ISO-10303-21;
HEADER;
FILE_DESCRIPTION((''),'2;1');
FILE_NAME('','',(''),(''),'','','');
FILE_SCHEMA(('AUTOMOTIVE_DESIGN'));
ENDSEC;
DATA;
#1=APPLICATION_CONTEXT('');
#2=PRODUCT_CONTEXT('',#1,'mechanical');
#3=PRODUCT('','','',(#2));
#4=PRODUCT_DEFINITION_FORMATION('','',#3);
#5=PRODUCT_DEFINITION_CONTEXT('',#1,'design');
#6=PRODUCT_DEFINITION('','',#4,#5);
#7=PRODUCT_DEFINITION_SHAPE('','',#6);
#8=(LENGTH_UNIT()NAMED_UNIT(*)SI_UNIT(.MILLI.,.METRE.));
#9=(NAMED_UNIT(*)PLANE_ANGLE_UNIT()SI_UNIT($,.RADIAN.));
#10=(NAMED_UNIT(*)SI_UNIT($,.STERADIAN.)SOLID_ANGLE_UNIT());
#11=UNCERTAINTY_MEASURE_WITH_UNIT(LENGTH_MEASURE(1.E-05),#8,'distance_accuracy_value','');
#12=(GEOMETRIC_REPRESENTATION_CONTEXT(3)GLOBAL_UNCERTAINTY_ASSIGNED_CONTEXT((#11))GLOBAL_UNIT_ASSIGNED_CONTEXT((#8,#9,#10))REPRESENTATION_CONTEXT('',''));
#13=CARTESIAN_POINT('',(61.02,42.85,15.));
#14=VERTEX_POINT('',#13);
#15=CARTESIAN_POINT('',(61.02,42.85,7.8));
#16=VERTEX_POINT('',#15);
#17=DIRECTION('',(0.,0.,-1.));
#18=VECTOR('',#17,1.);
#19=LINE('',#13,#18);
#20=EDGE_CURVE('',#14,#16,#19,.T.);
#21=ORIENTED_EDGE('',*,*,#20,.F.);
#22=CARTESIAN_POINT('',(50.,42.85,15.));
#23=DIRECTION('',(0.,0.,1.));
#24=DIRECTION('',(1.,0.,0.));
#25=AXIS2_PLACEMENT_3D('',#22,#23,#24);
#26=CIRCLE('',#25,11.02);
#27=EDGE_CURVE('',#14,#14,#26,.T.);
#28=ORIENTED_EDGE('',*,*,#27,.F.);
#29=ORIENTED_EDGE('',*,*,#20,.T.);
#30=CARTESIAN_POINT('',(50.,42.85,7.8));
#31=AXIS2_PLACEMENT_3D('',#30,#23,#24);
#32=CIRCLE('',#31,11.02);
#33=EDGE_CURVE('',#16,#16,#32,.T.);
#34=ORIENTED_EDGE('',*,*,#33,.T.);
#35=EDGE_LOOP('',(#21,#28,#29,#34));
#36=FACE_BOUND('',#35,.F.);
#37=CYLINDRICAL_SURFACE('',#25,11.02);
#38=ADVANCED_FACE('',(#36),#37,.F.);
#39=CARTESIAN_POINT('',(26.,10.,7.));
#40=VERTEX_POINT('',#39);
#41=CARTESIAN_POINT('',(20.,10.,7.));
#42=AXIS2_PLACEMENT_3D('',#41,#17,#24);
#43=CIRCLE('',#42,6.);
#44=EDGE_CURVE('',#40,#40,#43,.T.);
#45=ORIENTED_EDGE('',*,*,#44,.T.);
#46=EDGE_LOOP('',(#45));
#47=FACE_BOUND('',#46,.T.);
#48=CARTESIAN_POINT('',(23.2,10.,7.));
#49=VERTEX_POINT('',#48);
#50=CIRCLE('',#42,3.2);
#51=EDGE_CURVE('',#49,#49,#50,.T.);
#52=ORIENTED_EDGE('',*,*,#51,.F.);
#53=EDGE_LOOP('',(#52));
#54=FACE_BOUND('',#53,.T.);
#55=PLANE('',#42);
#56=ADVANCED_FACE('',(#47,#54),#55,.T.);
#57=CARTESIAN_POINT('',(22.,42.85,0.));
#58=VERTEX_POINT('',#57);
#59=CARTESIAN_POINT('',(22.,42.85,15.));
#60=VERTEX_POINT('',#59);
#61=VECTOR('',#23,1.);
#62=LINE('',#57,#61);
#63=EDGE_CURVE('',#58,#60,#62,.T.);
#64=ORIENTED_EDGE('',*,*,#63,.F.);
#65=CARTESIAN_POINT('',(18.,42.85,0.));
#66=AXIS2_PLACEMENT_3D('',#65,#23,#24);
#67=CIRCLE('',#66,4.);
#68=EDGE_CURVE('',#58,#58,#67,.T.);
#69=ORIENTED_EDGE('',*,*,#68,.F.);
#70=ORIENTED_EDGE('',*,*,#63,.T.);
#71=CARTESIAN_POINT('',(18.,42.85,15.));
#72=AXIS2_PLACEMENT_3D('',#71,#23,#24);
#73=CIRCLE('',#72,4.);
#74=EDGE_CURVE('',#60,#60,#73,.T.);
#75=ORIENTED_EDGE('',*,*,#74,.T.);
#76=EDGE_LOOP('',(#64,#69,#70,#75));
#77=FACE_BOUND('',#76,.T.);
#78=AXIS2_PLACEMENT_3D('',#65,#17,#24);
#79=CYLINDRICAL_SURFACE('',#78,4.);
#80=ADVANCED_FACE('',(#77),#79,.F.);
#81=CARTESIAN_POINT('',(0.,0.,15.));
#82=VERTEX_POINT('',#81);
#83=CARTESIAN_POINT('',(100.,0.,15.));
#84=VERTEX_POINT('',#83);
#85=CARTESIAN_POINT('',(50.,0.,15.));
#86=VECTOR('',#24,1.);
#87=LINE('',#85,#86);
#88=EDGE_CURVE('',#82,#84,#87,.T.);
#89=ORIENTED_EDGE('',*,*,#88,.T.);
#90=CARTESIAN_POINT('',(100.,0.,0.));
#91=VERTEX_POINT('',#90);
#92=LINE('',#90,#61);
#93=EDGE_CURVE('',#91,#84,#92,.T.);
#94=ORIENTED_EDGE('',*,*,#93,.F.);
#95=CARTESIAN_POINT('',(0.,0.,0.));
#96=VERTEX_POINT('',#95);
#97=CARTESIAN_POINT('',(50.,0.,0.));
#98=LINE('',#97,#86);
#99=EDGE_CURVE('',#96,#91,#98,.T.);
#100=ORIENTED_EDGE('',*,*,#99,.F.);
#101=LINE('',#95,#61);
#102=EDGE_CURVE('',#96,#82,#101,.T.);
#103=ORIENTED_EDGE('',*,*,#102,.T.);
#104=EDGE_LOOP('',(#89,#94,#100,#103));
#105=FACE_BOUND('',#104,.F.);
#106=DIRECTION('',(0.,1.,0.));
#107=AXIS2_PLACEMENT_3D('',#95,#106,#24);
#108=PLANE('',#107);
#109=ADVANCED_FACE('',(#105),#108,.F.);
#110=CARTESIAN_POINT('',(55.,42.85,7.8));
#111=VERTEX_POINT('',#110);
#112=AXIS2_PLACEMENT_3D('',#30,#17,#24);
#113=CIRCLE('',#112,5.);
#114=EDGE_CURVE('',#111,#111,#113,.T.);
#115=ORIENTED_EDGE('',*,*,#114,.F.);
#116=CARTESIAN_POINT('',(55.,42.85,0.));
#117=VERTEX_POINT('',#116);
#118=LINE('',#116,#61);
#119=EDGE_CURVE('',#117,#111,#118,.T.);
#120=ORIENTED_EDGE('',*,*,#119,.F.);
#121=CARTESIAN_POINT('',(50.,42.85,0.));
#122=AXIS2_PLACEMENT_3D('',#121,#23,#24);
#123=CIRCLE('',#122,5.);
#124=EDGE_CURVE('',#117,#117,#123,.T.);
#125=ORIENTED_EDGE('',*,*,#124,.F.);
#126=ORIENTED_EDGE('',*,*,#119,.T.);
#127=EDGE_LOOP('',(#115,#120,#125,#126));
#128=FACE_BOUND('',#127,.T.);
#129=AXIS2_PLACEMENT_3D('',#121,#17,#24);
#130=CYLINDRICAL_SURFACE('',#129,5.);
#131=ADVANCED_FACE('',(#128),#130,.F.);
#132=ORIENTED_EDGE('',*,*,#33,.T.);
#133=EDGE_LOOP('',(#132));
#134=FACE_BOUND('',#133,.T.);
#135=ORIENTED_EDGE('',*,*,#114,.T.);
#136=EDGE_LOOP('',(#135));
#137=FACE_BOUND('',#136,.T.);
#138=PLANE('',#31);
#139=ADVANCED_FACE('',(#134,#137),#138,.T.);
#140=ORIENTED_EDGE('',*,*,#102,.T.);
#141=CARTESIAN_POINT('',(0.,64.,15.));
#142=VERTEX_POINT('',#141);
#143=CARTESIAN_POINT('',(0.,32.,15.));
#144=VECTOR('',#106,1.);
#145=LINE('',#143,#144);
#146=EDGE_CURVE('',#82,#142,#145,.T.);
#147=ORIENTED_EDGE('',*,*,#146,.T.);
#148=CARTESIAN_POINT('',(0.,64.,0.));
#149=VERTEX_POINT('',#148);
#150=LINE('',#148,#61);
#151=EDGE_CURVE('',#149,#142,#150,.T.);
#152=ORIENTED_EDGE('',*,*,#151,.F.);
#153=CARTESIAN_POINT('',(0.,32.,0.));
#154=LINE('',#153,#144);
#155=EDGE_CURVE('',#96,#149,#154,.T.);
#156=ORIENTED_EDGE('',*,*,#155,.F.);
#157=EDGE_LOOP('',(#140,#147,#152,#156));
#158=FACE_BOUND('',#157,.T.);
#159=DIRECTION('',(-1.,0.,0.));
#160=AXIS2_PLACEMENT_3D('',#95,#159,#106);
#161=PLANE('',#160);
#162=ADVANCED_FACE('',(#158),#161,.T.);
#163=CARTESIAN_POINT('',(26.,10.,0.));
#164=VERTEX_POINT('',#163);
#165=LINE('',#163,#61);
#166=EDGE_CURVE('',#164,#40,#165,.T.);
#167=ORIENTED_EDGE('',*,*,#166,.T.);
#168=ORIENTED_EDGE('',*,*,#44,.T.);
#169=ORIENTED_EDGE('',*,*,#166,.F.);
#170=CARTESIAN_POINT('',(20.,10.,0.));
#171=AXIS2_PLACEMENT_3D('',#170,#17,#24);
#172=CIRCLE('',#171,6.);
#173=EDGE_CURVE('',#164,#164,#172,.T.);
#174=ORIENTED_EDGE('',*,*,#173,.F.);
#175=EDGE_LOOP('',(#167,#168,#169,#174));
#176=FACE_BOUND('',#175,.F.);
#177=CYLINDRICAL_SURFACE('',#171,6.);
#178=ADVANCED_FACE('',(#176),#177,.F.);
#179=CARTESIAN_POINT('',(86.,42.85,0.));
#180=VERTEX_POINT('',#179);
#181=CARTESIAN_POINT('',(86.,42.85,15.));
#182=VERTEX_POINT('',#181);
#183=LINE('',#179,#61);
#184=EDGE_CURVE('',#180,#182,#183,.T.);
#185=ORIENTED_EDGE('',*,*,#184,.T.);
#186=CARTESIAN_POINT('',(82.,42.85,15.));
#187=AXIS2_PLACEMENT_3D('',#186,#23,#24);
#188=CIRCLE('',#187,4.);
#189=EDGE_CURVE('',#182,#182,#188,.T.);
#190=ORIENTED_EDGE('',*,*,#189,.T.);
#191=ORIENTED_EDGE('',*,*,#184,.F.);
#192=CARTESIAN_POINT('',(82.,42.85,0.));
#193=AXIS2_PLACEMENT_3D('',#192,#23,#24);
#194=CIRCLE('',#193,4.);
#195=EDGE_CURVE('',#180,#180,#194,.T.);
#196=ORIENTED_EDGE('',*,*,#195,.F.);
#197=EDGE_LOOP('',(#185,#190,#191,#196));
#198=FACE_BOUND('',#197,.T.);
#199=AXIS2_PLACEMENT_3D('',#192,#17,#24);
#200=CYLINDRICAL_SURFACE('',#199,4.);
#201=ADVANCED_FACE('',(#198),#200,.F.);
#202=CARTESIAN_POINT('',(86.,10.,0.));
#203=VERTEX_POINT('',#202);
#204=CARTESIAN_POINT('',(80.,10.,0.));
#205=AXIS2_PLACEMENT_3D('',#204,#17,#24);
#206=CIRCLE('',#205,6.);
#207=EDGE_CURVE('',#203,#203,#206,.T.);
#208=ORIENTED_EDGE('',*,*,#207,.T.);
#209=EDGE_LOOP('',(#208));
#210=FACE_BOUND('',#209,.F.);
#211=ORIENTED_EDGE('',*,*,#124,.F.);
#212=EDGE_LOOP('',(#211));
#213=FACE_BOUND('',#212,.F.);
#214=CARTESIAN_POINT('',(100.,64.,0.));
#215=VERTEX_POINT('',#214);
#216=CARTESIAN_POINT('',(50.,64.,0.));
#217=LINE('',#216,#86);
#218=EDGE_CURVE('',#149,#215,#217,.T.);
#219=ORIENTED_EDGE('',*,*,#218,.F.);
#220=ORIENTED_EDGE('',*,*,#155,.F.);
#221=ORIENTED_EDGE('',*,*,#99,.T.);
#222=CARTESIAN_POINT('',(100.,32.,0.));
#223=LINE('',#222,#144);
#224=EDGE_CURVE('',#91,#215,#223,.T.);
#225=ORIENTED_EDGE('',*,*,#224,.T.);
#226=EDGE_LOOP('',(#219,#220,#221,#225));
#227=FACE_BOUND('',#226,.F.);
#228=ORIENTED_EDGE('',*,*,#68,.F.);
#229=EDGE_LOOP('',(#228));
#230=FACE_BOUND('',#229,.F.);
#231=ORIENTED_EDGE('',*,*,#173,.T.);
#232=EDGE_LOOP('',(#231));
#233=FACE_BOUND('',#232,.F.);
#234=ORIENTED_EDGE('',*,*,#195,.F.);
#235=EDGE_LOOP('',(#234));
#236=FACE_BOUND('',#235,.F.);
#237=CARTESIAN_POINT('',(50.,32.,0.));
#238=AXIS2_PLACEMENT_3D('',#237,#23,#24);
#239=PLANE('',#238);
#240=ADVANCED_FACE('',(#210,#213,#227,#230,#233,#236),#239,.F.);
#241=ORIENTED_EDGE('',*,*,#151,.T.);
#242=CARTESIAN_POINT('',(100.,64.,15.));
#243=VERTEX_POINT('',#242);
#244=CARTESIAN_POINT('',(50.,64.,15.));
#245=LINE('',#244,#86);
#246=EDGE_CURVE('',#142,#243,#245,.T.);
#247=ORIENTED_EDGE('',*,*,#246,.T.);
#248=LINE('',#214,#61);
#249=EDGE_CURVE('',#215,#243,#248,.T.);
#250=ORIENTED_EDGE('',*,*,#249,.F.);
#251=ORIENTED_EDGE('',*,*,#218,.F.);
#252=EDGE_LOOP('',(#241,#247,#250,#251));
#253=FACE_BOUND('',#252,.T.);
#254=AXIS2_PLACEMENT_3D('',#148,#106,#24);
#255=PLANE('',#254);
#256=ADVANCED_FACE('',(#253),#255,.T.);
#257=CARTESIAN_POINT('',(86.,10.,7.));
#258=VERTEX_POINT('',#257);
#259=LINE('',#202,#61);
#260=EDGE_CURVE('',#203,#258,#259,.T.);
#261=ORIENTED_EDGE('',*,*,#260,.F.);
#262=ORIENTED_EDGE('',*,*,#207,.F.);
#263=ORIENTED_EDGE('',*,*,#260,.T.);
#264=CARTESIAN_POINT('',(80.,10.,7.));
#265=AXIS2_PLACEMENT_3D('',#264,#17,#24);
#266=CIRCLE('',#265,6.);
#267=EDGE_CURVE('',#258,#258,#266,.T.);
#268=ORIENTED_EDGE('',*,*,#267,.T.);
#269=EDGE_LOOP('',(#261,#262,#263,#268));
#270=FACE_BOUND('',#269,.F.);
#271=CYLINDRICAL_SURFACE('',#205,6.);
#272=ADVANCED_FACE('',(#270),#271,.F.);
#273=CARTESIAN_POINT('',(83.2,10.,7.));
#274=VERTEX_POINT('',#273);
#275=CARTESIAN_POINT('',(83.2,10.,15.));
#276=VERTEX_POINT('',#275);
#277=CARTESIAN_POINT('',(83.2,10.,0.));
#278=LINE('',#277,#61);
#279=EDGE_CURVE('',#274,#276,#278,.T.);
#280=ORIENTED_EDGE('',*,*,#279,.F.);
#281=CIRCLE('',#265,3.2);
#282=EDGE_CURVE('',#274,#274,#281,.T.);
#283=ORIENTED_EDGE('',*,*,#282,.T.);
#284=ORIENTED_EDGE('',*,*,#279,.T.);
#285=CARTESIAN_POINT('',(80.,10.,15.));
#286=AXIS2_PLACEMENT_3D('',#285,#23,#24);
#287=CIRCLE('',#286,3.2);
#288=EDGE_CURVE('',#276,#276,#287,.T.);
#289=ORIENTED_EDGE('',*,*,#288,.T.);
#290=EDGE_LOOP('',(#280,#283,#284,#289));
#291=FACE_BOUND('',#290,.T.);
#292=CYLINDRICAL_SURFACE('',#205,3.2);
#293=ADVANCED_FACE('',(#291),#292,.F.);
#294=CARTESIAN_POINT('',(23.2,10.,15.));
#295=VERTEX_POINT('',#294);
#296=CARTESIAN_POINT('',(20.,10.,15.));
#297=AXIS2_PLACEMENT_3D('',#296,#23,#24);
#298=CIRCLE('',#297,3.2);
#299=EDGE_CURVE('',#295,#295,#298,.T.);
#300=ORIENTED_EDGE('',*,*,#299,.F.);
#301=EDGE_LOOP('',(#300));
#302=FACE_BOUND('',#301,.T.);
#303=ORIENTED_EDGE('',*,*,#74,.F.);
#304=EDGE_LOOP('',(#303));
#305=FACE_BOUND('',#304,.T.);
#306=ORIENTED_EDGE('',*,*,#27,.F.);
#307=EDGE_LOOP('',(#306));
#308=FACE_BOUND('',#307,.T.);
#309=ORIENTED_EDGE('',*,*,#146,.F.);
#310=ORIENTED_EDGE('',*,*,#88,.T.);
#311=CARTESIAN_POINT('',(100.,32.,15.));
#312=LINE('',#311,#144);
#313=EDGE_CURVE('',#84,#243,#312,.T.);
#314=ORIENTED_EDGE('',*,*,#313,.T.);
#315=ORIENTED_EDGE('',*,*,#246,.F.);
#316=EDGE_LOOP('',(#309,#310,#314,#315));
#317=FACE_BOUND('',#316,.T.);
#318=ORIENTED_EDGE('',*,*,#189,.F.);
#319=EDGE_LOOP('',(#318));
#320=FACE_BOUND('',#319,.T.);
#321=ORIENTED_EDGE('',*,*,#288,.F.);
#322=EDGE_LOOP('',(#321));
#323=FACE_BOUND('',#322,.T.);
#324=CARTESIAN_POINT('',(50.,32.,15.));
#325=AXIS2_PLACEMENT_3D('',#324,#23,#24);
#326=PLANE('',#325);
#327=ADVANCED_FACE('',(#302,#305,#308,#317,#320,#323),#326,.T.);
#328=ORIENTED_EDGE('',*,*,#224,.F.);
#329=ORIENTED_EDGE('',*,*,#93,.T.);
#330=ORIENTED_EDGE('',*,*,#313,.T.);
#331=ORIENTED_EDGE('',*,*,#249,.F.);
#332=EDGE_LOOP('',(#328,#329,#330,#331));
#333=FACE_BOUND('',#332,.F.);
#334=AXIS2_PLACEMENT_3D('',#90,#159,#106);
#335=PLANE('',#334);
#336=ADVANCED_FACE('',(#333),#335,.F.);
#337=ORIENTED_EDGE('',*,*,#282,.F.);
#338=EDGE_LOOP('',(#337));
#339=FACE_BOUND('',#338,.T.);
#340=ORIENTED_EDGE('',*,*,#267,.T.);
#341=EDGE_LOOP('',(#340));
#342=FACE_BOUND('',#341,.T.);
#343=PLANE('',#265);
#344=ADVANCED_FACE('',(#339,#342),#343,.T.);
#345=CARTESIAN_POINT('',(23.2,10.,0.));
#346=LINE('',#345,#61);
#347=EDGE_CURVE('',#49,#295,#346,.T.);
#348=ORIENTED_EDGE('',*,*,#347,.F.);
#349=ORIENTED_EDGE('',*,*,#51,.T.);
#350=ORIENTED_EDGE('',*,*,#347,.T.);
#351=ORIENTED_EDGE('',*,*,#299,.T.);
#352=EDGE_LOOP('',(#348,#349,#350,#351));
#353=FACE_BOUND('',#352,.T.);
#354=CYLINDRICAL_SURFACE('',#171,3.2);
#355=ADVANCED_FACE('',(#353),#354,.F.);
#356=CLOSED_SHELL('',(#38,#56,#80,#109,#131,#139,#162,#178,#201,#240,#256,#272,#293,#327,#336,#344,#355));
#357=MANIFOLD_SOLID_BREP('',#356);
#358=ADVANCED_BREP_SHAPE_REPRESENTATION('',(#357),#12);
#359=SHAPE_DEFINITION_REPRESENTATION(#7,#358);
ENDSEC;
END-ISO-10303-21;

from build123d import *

# Parameters (mm, degrees)
SKETCH_W        = 100
SKETCH_H        = 64
SKETCH_R        = 5
SKETCH_R_2      = 3.2
SKETCH_R_3      = 4
PAD_DEPTH       = 15
SKETCH001_R     = 11.02
POCKET_DEPTH    = 7.2
SKETCH002_R     = 6
POCKET001_DEPTH = 7


with BuildPart() as part:
    # Sketch → Pad (new body)
    with BuildSketch(Plane.XY):
        with Locations((50, 32)):
            Rectangle(SKETCH_W, SKETCH_H)
        with Locations((50, 42.85)):
            Circle(SKETCH_R, mode=Mode.SUBTRACT)
        with Locations((20, 10)):
            Circle(SKETCH_R_2, mode=Mode.SUBTRACT)
        with Locations((80, 10)):
            Circle(SKETCH_R_2, mode=Mode.SUBTRACT)
        with Locations((82, 42.85)):
            Circle(SKETCH_R_3, mode=Mode.SUBTRACT)
        with Locations((18, 42.85)):
            Circle(SKETCH_R_3, mode=Mode.SUBTRACT)
    extrude(amount=PAD_DEPTH)

    # Sketch001 (on Face11 of Pad) → Pocket (cut)
    with BuildSketch(Plane.XY.offset(15)):
        with Locations((50, 42.85)):
            Circle(SKETCH001_R)
    extrude(amount=-POCKET_DEPTH, mode=Mode.SUBTRACT)

    # Sketch002 (on Face4 of Pocket) → Pocket001 (cut)
    with BuildSketch(Plane(origin=(0, 0, 0), x_dir=(1, 0, 0), z_dir=(0, 0, -1))):
        with Locations((20, -10)):
            Circle(SKETCH002_R)
        with Locations((80, -10)):
            Circle(SKETCH002_R)
    extrude(amount=-POCKET001_DEPTH, mode=Mode.SUBTRACT)


solid = part.part
